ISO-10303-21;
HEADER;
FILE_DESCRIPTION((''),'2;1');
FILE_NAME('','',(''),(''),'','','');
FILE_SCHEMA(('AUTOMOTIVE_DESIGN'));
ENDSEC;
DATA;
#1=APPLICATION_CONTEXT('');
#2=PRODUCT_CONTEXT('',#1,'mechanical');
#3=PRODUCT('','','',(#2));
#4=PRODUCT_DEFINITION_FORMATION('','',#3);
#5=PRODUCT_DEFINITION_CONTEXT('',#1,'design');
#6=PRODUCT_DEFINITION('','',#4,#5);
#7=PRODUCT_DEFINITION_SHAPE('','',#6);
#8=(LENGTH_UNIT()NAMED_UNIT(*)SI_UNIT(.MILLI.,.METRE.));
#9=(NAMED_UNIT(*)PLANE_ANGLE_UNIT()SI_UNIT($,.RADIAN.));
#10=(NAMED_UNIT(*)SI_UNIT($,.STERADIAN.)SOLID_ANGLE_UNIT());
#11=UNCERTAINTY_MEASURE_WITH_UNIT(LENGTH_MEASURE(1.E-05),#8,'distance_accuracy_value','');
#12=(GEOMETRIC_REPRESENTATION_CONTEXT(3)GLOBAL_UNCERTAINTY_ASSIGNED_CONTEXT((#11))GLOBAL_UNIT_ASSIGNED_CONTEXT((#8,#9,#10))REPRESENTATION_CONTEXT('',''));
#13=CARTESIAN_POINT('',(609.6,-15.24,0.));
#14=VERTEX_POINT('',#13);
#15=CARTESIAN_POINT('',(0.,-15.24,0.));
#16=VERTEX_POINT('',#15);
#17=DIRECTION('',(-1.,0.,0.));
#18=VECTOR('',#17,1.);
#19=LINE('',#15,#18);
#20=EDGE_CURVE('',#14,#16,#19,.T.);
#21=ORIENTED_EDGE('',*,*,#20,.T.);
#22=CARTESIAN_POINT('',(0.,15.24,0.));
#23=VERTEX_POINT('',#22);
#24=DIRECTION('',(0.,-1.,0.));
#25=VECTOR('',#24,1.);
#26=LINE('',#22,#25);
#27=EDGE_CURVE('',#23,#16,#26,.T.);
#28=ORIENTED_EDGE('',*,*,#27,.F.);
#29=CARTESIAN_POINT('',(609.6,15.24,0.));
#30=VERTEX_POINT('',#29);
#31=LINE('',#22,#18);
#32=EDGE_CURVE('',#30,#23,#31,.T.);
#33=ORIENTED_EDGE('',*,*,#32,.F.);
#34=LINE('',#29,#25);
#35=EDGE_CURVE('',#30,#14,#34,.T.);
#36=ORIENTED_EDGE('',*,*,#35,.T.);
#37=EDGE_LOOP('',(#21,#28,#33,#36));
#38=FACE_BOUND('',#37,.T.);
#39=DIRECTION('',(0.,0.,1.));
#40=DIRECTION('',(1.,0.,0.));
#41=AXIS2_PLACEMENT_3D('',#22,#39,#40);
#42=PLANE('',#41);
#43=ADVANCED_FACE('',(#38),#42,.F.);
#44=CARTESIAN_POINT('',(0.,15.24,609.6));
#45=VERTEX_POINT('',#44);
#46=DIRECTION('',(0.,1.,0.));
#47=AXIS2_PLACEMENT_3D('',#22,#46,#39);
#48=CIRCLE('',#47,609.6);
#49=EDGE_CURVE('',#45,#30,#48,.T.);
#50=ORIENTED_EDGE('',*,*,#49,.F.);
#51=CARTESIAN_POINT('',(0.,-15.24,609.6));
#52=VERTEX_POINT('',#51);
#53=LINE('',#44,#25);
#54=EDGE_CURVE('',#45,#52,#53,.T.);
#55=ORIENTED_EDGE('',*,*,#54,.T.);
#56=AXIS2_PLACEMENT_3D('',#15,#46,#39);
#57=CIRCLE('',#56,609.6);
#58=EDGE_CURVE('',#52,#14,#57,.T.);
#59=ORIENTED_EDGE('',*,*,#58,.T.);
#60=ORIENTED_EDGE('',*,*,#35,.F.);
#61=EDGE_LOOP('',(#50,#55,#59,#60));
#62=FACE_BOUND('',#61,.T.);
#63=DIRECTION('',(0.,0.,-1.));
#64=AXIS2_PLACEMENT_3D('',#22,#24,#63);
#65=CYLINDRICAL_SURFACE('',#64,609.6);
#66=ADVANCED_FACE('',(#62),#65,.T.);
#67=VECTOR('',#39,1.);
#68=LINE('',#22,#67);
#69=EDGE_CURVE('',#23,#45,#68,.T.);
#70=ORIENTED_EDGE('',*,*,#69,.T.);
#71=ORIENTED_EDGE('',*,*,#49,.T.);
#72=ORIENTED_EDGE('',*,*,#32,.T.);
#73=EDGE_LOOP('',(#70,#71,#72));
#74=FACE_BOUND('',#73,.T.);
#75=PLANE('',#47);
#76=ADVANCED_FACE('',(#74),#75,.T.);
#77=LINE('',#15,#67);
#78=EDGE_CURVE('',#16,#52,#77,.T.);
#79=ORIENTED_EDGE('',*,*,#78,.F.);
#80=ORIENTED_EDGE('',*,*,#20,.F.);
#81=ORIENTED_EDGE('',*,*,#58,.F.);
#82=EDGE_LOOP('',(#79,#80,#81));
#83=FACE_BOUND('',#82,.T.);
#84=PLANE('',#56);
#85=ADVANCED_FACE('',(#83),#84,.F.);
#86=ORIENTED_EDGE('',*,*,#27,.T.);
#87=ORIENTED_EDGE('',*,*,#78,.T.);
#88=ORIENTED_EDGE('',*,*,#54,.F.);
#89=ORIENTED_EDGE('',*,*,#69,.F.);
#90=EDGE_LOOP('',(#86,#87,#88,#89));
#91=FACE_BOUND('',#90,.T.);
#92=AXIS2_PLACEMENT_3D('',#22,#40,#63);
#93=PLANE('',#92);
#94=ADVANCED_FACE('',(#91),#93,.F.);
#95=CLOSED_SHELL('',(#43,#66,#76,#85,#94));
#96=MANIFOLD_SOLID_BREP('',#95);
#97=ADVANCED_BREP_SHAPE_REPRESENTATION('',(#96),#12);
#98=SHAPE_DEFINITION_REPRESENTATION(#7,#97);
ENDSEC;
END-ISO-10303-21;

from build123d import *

# Parameters (mm, degrees)
BOSS_EXTRUDE1_DEPTH = 15.24


with BuildPart() as part:
    # Sketch1 → Boss-Extrude1 (new body, symmetric)
    with BuildSketch(Plane(origin=(0, 0, 0), x_dir=(1, 0, 0), z_dir=(0, 1, 0))):
        with BuildLine():
            Line((0, 0), (609.6, 0))
            ThreePointArc((609.6, 0), (431.052293811, -431.052293811), (0, -609.6))
            Line((0, -609.6), (0, 0))
        make_face()
    extrude(amount=BOSS_EXTRUDE1_DEPTH, both=True)


solid = part.part
